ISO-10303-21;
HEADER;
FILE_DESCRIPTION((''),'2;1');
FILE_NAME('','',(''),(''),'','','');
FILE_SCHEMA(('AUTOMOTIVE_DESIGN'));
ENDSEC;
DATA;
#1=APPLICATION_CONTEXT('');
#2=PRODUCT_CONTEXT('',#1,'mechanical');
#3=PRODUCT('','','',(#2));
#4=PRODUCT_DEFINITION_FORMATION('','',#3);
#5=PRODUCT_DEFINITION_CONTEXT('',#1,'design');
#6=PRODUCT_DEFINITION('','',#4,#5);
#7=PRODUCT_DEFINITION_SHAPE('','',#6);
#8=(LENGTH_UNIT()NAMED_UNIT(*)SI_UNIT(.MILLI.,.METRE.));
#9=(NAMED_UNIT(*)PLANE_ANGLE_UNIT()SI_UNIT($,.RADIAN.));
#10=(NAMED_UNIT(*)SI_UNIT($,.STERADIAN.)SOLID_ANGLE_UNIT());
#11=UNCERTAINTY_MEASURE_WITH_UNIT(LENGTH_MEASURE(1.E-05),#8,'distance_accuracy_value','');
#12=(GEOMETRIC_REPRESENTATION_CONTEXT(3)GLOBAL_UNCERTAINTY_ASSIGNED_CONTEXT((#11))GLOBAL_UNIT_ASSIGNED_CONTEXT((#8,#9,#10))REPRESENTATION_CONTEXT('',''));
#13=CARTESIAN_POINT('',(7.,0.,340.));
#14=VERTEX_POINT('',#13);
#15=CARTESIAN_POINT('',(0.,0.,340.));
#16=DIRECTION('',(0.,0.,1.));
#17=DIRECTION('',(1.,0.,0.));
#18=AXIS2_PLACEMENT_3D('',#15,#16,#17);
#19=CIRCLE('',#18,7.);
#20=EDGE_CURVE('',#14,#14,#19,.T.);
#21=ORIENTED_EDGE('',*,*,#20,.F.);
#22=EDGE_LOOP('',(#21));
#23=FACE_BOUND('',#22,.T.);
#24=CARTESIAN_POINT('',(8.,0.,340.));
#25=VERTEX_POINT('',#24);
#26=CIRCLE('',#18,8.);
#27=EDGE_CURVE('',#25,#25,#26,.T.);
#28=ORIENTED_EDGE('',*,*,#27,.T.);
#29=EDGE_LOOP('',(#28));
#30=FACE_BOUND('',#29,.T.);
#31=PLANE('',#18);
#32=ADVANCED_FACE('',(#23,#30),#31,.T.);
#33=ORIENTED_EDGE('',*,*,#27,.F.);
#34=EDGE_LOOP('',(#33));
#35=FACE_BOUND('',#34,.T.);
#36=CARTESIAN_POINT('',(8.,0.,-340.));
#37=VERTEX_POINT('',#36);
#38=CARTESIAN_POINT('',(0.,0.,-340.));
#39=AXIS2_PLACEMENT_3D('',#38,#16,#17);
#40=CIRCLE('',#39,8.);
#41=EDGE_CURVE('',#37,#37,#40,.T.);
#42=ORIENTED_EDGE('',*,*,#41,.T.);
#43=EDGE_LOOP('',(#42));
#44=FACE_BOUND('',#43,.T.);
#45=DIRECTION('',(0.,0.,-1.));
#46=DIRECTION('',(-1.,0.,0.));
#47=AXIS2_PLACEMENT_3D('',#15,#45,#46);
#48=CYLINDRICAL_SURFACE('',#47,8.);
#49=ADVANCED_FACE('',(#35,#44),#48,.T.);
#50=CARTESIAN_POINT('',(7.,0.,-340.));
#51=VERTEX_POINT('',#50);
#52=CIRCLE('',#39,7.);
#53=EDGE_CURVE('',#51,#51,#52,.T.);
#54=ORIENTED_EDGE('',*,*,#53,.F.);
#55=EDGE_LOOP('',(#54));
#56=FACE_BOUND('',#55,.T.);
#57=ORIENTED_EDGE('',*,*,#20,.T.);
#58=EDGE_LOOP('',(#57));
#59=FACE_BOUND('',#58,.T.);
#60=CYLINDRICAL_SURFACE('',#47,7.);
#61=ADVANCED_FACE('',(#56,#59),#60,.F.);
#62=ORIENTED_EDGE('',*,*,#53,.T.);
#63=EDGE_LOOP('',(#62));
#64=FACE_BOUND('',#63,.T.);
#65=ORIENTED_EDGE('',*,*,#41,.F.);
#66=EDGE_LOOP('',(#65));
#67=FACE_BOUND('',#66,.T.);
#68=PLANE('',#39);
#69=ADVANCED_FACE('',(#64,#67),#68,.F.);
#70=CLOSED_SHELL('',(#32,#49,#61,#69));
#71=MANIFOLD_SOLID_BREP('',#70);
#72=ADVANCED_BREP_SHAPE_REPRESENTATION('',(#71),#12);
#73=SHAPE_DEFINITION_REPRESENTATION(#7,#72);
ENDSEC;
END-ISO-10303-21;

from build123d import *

# Parameters (mm, degrees)
SKETCH_1_R      = 8
SKETCH_1_R_2    = 7
EXTRUDE_1_DEPTH = 340


with BuildPart() as part:
    # Эскиз1 → Бобышка-Вытянуть1 (new, symmetric)
    with BuildSketch(Plane.XY):
        Circle(SKETCH_1_R)
        Circle(SKETCH_1_R_2, mode=Mode.SUBTRACT)
    extrude(amount=EXTRUDE_1_DEPTH, both=True)


solid = part.part
